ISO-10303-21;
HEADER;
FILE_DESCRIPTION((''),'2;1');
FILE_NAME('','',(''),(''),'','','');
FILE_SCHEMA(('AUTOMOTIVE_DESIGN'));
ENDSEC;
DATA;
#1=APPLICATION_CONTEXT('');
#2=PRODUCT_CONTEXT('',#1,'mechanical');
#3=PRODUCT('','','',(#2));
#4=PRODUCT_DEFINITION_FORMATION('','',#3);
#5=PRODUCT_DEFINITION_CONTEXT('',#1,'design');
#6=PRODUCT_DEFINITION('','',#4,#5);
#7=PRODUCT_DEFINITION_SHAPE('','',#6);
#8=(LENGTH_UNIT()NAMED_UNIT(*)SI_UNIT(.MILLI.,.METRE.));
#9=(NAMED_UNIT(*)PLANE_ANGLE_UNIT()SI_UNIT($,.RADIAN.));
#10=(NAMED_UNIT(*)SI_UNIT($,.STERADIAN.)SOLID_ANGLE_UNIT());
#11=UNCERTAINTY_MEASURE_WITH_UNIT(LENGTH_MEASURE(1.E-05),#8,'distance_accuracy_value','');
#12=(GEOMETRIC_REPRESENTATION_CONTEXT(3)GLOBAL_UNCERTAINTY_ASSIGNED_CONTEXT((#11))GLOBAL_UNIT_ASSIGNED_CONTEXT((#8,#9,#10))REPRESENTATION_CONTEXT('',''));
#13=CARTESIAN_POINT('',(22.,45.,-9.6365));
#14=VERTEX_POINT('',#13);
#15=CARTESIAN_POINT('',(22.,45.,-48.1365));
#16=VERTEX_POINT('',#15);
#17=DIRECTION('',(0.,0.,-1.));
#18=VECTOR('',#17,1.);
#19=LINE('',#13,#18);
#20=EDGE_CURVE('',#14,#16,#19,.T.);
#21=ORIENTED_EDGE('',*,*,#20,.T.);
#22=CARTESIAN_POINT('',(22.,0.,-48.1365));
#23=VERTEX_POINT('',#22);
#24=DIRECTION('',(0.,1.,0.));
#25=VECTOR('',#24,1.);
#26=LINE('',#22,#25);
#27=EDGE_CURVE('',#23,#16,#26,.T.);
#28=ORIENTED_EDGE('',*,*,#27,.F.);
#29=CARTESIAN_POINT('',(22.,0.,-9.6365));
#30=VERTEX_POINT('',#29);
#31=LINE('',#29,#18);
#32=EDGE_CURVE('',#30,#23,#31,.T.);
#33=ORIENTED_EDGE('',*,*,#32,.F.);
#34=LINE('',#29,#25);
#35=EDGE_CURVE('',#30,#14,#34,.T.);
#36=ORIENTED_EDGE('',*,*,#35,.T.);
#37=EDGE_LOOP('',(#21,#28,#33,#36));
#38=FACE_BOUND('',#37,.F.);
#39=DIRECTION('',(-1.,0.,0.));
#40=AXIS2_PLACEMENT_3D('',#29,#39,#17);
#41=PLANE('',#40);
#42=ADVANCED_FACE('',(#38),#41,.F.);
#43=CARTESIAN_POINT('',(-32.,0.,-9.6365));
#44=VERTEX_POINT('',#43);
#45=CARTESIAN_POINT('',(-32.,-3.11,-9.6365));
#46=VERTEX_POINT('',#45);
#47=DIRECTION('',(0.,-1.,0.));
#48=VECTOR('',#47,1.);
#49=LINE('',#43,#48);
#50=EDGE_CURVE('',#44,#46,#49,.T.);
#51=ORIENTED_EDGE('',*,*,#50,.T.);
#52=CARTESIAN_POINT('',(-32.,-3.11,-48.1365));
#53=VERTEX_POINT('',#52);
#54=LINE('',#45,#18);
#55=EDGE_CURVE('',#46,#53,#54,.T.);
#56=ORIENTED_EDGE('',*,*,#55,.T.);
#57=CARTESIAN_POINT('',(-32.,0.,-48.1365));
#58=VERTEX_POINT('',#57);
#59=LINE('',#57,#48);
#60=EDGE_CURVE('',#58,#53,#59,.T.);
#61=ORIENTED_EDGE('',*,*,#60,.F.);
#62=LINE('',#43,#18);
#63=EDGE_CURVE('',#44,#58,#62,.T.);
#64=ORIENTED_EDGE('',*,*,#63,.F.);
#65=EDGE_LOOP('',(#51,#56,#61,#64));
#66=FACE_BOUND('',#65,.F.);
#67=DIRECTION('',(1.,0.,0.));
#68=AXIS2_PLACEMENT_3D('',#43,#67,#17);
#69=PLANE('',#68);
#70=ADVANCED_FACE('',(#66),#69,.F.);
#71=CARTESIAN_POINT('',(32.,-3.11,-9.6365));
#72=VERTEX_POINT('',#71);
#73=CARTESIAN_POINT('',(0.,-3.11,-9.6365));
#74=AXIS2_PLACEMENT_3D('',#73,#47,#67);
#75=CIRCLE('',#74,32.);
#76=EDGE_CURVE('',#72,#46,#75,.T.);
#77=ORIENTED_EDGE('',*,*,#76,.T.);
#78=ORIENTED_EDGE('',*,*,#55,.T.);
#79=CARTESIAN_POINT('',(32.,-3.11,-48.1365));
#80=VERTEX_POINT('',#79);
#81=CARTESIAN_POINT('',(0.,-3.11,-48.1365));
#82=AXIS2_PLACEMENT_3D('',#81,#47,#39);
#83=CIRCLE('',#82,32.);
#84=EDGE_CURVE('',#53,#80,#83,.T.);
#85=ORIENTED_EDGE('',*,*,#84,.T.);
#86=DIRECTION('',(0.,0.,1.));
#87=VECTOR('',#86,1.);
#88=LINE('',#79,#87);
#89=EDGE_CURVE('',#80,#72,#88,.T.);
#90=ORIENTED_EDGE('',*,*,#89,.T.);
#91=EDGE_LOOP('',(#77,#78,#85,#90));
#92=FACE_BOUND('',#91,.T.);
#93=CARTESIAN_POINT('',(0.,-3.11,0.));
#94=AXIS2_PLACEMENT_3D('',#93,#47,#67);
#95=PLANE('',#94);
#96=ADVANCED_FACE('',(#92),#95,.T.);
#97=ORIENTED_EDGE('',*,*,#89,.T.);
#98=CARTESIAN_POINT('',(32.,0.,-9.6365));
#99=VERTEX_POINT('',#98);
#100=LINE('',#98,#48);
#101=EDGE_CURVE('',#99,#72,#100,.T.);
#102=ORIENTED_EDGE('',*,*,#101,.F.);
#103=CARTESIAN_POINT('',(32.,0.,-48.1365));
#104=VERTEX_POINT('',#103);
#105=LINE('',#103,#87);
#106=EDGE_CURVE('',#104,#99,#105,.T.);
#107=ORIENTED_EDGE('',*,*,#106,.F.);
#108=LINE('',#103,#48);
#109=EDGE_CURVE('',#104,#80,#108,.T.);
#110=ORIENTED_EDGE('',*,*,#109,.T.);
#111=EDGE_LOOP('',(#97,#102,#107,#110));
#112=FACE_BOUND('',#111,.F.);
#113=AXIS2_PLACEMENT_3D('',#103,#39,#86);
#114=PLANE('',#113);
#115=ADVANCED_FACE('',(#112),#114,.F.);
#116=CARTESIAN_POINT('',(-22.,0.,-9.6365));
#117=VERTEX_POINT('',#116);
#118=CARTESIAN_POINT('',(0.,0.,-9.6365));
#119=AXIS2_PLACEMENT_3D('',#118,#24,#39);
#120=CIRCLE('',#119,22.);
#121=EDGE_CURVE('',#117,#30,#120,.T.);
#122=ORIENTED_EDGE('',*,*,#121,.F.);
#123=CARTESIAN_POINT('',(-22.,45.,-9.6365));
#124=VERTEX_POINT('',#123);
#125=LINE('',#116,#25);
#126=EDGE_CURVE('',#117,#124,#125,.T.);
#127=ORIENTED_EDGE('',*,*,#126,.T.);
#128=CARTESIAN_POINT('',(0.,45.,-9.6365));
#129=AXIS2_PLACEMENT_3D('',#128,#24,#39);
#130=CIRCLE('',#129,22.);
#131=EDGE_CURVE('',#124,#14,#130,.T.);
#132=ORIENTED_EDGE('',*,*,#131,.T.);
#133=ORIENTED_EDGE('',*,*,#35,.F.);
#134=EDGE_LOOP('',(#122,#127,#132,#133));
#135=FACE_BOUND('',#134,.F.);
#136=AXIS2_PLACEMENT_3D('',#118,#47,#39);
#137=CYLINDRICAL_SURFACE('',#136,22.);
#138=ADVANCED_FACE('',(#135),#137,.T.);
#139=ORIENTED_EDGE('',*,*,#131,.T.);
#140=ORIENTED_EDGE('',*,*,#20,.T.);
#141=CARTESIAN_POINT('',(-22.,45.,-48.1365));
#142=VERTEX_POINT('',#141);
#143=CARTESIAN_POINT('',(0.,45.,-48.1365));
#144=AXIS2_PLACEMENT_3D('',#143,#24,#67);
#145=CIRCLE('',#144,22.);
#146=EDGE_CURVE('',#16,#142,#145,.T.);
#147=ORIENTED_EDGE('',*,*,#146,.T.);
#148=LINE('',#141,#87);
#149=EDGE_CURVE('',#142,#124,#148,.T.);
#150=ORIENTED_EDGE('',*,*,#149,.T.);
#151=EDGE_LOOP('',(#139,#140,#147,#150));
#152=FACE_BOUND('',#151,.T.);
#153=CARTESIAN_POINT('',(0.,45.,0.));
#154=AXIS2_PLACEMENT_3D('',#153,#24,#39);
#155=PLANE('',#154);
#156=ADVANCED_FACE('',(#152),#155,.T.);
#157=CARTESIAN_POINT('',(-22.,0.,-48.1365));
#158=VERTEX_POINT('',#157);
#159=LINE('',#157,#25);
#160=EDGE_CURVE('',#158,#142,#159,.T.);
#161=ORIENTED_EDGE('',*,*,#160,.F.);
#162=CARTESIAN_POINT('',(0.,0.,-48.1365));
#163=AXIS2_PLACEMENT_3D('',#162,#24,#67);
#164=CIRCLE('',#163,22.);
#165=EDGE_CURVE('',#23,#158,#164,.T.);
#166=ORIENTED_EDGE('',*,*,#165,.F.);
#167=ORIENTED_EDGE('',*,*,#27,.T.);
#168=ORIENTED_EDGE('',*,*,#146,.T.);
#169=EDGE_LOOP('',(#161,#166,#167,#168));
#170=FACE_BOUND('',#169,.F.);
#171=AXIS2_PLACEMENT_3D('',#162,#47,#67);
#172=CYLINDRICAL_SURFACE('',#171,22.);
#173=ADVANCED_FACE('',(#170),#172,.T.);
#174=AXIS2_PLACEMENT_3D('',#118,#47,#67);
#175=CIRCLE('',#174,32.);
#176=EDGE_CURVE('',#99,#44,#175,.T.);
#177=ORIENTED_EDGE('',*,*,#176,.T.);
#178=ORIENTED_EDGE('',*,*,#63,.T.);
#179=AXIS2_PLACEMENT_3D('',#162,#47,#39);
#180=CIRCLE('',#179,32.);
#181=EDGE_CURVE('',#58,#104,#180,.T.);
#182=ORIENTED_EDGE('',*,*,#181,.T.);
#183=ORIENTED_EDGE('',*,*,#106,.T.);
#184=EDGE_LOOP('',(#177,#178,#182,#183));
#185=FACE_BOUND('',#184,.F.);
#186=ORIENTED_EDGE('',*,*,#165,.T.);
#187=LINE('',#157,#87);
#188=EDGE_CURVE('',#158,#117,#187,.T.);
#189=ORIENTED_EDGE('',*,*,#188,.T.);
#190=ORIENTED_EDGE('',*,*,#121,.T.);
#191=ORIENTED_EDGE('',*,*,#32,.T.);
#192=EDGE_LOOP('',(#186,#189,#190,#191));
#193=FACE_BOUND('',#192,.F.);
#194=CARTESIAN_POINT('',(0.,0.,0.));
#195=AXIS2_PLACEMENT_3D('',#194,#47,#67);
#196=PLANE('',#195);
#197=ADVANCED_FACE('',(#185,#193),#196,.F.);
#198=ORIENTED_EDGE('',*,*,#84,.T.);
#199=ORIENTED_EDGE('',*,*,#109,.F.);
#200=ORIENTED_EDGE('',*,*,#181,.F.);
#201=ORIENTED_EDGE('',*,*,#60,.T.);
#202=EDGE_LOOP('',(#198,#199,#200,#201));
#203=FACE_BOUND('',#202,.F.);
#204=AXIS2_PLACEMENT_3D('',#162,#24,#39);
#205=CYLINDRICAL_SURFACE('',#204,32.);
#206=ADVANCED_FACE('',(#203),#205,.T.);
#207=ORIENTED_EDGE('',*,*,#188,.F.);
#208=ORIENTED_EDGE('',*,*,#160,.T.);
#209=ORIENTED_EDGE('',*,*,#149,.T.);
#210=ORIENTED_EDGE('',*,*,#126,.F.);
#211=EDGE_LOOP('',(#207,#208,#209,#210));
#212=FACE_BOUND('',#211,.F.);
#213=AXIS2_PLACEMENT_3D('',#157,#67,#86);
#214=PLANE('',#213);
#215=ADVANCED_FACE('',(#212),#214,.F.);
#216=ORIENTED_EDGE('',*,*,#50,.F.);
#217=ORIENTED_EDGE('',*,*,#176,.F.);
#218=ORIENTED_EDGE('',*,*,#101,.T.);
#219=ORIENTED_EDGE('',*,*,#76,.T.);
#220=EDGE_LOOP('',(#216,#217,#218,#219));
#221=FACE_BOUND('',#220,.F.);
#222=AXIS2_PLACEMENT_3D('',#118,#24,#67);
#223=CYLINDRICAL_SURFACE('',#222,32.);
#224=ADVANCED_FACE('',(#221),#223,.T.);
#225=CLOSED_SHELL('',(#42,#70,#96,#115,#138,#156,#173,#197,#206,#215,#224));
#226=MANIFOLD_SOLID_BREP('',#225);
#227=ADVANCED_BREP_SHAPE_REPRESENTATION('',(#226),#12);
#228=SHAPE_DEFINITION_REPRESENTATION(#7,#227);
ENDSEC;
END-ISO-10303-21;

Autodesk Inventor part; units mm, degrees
ref_plane "YZ Plane" through (0, 0, 0) normal (1, 0, 0) x (0, 1, 0)
ref_plane "XZ Plane" through (0, 0, 0) normal (0, 1, 0) x (-1, 0, 0)
ref_plane "XY Plane" through (0, 0, 0) normal (0, 0, 1) x (1, 0, 0)
sketch "Sketch1" plane through (0, 0, 0) normal (0, 1, 0) x (-1, 0, 0)
  line L0 (0, 12.3635) -> (0, -70.1365) construction
  line L1 (-22, -9.6365) -> (-22, -48.1365)
  line L2 (22, -48.1365) -> (22, -9.6365)
  arc A0 (22, -9.6365) -> (-22, -9.6365) centre (0, -9.6365) ccw
  arc A1 (-22, -48.1365) -> (22, -48.1365) centre (0, -48.1365) ccw
  point P0 (0, 0)
  point P1 (0, -28.8865)
  dimension "d0" = 82.5
  dimension "d1" = 44
extrude "Extrusion1" add sketch "Sketch1" along normal blind 45
sketch "Sketch2" plane through (0, 0, 0) normal (0, -1, 0) x (1, 0, 0)
  arc A0 (22, -9.6365) -> (-22, -9.6365) centre (0, -9.6365) ccw projected
  line L0 (0, 12.3635) -> (0, -70.1365)
  arc A1 (-22, -48.1365) -> (22, -48.1365) centre (0, -48.1365) ccw projected
  line L1 (0, -28.8865) -> (22, -28.8865) construction
  line L2 (0, 22.3635) -> (0, -80.1365) construction
  line L3 (-32, -9.6365) -> (-32, -48.1365)
  line L4 (32, -48.1365) -> (32, -9.6365)
  arc A2 (32, -9.6365) -> (-32, -9.6365) centre (0, -9.6365) ccw
  arc A3 (-32, -48.1365) -> (32, -48.1365) centre (0, -48.1365) ccw
  line L5 (22, -9.6365) -> (22, -48.1365) projected
  line L6 (-22, -48.1365) -> (-22, -9.6365) projected
  point P0 (0, 0)
  point P1 (8.1717, -6.5277)
  point P2 (0, -80.1365)
  point P3 (0, 22.3635)
  point P4 (0, -70.1365)
  dimension "d8" = 10
  dimension "d9" = 10
  dimension "d10" = 10
extrude "Extrusion2" add sketch "Sketch2" along normal blind 3.11 contours L5 A1 L0 A0 | L0 A1 L6 A0 | A2 L4 A3 L3
properties part number "FabLabPlug"
